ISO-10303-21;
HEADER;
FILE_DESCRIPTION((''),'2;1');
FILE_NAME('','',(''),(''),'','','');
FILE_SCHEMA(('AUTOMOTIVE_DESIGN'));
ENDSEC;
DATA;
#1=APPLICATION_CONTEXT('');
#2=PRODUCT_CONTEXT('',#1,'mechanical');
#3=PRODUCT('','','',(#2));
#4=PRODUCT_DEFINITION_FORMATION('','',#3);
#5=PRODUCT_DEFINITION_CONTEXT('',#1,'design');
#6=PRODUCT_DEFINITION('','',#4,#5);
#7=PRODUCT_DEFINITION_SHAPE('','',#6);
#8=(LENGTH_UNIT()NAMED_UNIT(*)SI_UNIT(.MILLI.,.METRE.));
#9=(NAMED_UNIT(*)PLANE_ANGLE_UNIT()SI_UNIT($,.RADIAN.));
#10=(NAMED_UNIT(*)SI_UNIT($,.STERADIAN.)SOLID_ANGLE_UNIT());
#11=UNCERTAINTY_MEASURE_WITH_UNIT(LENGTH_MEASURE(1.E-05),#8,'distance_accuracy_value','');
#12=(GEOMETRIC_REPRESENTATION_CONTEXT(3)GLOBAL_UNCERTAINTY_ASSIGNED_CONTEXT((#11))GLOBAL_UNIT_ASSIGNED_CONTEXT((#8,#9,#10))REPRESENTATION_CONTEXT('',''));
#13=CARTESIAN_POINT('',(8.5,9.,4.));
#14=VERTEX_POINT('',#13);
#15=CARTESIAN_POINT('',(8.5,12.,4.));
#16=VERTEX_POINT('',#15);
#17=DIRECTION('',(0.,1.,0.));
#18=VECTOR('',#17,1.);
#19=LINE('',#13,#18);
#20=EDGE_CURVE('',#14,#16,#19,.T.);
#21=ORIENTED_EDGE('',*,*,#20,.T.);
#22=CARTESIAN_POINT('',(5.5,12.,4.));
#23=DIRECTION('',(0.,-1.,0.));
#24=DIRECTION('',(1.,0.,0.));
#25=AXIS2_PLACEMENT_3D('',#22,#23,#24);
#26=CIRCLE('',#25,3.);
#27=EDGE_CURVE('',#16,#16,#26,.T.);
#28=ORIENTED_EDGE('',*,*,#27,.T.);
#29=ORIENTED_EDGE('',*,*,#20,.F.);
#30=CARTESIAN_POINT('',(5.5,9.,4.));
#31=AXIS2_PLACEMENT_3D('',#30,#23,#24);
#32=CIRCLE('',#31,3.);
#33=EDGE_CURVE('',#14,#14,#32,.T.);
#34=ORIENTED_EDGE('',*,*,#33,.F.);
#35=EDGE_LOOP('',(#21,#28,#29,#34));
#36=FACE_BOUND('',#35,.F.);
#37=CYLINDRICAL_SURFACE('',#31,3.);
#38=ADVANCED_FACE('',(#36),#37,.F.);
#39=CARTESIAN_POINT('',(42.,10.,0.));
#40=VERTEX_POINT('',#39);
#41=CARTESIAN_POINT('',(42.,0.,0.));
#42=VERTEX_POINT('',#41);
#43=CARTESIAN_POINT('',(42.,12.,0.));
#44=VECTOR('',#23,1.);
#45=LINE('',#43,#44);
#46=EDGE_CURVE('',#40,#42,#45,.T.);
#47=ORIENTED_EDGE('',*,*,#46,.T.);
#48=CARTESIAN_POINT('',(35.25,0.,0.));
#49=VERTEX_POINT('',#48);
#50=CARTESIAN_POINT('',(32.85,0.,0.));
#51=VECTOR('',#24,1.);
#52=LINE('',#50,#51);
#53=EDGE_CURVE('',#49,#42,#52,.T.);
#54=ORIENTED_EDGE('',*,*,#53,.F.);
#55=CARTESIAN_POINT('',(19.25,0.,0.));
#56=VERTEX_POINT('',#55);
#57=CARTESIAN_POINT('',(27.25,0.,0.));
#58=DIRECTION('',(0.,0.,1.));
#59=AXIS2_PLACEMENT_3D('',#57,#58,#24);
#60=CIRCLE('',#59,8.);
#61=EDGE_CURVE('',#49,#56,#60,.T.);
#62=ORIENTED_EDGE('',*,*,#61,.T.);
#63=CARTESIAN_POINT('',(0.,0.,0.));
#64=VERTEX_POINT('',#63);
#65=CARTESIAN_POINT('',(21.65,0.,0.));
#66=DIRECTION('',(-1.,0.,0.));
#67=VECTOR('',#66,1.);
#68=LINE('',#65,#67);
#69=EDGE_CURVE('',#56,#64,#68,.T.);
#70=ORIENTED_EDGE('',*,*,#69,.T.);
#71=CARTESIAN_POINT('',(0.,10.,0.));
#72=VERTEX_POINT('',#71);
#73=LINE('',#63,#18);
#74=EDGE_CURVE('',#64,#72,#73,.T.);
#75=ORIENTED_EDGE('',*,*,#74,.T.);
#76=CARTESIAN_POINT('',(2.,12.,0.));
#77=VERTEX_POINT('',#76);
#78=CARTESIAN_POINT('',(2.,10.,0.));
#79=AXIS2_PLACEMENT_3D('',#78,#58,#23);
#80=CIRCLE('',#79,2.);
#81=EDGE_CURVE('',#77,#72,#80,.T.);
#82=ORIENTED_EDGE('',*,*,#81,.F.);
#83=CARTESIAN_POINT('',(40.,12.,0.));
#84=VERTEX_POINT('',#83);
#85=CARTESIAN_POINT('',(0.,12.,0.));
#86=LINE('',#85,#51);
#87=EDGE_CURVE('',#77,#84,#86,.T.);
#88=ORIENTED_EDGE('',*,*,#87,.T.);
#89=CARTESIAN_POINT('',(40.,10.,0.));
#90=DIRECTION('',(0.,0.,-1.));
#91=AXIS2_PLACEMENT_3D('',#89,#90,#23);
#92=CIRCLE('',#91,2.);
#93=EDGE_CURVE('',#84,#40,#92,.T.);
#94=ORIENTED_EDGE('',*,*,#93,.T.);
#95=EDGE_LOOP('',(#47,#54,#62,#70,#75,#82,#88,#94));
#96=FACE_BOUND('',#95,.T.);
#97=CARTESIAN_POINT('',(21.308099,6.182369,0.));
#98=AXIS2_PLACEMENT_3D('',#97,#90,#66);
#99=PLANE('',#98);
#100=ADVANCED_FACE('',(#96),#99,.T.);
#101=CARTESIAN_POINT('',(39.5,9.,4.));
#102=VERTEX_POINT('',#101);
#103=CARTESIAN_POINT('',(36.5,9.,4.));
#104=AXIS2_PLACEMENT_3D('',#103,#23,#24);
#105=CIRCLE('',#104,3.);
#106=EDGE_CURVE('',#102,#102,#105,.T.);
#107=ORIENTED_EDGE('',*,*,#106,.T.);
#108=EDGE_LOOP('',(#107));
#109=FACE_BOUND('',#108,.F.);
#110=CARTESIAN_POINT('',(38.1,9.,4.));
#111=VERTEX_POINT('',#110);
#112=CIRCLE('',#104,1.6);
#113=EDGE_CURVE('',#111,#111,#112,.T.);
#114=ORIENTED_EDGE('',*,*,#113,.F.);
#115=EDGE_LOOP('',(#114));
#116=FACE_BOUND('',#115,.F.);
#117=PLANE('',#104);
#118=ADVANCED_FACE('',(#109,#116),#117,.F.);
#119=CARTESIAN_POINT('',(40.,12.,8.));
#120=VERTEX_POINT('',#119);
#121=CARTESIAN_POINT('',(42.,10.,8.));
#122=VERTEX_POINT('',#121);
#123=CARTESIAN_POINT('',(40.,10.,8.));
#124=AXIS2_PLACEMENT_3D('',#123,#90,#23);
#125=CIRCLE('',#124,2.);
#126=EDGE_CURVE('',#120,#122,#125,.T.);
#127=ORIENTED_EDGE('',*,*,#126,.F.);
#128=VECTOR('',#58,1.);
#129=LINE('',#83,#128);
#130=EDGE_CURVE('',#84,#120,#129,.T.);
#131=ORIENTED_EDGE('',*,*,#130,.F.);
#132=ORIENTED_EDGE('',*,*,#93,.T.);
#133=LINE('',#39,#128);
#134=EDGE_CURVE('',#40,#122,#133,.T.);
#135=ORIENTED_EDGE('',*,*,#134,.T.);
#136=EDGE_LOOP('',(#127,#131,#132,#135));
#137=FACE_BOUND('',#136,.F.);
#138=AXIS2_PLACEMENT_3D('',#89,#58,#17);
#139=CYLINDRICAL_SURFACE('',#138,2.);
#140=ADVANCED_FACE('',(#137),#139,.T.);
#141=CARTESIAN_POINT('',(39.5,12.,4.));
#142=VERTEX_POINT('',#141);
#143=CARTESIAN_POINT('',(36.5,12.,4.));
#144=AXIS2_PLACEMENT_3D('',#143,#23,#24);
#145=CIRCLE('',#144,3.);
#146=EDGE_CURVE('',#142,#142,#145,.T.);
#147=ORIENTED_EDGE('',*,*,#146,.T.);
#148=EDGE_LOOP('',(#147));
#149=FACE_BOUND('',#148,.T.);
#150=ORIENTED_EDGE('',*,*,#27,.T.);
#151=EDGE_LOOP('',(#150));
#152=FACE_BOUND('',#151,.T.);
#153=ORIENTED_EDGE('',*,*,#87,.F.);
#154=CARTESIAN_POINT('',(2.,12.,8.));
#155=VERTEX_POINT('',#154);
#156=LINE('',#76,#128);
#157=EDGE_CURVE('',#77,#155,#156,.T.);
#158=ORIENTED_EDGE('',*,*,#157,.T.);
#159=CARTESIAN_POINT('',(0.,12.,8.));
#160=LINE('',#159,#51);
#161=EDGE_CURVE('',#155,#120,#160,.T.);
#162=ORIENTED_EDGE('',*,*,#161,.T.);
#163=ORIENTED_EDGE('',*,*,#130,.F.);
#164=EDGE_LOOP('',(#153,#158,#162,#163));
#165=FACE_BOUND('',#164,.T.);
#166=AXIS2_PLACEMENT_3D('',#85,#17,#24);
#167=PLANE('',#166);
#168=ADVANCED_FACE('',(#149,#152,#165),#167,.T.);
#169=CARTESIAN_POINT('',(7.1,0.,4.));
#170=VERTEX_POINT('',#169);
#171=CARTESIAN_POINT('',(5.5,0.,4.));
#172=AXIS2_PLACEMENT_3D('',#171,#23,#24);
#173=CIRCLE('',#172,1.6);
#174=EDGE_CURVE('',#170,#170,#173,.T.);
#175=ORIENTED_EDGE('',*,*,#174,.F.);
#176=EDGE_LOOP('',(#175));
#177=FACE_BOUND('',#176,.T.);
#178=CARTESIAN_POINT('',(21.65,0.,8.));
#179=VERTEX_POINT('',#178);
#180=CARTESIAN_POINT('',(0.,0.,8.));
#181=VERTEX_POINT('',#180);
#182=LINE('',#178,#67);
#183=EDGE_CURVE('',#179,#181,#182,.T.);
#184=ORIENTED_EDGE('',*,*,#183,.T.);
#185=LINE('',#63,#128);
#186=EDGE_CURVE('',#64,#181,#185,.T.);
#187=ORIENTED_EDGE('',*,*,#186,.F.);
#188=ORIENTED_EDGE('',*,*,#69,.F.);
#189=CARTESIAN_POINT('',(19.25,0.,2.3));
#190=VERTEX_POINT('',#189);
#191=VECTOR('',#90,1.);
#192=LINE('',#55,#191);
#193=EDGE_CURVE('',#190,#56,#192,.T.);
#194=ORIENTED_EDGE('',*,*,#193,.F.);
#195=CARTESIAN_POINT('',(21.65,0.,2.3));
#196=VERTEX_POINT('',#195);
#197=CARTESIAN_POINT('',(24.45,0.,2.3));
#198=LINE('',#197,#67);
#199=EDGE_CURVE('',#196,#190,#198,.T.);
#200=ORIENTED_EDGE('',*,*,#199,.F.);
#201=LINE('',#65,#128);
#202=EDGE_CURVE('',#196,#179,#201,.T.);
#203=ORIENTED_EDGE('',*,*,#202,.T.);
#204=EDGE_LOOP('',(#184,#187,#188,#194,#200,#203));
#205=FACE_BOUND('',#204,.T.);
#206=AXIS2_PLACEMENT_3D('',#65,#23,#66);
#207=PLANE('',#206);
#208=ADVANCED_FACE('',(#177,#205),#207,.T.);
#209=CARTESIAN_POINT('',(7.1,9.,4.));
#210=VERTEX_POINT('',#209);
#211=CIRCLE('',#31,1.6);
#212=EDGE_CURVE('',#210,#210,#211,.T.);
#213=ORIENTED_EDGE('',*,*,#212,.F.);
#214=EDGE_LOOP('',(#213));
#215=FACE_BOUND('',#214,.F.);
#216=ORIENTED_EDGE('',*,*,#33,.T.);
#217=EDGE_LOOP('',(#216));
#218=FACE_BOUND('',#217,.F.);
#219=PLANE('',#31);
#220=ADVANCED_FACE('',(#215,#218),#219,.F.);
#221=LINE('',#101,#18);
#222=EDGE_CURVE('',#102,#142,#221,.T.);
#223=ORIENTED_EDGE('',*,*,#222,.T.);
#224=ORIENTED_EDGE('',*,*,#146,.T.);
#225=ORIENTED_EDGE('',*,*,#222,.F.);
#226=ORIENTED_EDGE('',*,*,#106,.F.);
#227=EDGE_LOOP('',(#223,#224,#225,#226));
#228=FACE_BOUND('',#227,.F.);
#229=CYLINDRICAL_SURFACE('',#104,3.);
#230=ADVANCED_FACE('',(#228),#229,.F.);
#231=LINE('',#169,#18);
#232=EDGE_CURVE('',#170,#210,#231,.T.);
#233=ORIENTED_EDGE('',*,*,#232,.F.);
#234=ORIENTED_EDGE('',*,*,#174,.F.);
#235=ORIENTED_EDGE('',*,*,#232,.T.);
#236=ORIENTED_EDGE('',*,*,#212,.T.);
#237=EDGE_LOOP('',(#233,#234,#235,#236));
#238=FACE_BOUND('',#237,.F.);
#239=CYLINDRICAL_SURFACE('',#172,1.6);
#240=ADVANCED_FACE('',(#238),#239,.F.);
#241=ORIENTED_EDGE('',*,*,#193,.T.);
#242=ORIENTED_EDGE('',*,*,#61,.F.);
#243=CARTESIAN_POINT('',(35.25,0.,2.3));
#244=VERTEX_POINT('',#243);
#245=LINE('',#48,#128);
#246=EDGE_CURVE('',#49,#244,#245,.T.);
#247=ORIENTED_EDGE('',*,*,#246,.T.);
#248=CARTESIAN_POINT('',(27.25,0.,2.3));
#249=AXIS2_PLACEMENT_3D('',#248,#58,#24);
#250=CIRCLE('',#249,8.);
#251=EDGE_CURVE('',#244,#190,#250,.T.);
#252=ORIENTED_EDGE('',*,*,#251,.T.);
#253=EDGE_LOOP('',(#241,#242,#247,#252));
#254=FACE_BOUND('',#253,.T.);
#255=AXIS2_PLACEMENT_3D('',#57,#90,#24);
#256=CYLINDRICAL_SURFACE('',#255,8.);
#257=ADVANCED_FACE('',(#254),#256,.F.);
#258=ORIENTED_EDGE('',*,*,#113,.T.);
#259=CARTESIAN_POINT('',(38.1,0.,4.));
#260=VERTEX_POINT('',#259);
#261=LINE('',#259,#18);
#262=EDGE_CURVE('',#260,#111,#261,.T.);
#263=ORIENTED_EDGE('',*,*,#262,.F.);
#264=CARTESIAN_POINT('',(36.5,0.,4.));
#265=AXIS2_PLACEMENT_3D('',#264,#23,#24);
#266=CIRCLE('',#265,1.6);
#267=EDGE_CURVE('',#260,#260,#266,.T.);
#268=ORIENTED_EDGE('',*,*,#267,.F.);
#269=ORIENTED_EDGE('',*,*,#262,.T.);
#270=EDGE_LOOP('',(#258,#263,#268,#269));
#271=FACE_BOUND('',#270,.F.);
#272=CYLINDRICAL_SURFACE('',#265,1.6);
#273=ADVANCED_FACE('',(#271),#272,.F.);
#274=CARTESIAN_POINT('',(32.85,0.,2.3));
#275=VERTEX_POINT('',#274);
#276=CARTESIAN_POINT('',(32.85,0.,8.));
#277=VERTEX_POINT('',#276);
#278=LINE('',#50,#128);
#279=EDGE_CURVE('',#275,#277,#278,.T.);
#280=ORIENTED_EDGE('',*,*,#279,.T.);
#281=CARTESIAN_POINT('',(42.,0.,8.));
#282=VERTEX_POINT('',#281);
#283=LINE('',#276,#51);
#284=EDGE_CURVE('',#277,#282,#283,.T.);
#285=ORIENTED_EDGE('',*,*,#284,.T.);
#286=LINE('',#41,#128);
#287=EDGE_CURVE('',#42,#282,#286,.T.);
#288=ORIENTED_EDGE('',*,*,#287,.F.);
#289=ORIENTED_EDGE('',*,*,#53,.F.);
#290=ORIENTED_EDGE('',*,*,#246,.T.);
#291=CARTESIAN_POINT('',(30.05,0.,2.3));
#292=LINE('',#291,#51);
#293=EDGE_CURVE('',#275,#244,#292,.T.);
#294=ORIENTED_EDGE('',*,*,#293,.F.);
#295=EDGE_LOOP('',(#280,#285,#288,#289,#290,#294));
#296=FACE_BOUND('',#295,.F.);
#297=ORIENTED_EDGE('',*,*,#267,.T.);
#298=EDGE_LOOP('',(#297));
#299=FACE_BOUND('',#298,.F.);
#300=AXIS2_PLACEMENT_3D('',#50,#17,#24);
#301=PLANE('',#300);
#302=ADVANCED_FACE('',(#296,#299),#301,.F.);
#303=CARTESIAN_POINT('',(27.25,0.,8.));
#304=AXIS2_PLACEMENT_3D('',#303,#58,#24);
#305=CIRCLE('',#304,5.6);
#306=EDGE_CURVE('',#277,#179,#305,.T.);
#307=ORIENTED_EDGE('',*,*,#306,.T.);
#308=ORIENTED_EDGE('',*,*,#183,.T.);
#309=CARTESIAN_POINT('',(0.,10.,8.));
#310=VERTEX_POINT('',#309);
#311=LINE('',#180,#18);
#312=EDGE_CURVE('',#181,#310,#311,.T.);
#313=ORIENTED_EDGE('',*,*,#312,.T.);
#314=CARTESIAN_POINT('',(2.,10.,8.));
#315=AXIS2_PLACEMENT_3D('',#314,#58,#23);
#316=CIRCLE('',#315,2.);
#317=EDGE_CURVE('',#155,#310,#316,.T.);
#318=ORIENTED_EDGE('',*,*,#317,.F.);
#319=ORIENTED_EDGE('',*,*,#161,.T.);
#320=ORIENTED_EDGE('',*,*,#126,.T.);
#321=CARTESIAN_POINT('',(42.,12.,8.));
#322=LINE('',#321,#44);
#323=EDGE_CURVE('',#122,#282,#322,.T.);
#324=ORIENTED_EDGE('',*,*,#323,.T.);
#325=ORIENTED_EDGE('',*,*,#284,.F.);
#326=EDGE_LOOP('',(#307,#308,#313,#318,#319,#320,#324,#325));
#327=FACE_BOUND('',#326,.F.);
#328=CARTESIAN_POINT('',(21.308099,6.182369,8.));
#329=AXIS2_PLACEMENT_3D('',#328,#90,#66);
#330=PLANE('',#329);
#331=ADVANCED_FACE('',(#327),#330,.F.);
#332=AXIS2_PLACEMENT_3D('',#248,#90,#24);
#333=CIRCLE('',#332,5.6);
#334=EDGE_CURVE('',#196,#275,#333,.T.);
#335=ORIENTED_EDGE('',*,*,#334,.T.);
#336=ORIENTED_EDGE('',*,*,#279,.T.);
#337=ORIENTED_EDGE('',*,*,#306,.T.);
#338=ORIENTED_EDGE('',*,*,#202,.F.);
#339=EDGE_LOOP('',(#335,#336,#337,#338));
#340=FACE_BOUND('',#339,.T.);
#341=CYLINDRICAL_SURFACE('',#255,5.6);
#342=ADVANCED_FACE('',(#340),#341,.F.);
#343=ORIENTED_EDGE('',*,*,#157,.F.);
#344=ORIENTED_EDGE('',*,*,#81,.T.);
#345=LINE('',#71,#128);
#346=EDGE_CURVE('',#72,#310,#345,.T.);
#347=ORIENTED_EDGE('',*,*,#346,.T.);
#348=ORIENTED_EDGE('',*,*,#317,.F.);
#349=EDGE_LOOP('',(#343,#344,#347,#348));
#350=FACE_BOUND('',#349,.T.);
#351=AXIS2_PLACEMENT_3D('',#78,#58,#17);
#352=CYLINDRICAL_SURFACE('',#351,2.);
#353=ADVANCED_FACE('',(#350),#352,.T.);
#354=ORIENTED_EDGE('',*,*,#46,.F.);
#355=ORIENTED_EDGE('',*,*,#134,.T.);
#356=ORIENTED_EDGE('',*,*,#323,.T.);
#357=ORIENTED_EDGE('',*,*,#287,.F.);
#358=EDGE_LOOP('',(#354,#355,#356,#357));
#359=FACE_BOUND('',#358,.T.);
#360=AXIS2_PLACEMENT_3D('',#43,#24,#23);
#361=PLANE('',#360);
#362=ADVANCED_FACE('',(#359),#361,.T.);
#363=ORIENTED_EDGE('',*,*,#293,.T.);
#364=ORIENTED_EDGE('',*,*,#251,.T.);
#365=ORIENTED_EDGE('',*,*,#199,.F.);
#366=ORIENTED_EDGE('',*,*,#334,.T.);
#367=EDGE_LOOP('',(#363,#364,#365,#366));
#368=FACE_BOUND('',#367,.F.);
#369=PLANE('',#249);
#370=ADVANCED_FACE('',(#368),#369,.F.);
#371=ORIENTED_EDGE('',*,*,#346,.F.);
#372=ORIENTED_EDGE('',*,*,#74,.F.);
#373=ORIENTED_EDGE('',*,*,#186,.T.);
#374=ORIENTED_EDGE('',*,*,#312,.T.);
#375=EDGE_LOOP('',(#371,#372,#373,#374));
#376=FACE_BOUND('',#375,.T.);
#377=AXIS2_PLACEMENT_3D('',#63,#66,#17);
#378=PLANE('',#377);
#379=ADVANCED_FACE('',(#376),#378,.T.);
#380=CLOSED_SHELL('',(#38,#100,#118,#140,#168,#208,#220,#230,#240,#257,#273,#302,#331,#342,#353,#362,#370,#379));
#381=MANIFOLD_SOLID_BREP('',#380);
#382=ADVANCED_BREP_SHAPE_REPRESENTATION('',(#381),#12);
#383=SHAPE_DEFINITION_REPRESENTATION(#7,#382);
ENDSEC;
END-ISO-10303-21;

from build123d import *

# Parameters (mm, degrees)
SKETCH007_R  = 1.6
PAD007_DEPTH = 12
SKETCH005_R  = 8
PAD005_DEPTH = 2.3
SKETCH008_R  = 3
PAD008_DEPTH = 3
PAD_DEPTH    = 8
FILLET_R     = 2


with BuildPart() as hotendmount02:
    # Sketch007 → Pad007 (new body)
    with BuildSketch(Plane.XZ):
        with Locations((5.5, 4)):
            Circle(SKETCH007_R)
        with Locations((36.5, 4)):
            Circle(SKETCH007_R)
    extrude(amount=-PAD007_DEPTH)


with BuildPart() as hotendmount:
    # Sketch005 → Pad005 (new body)
    with BuildSketch(Plane.XY):
        with Locations((27.25, 0)):
            Circle(SKETCH005_R)
    extrude(amount=PAD005_DEPTH)


with BuildPart() as cutblock:
    # Sketch008 → Pad008 (new body)
    with BuildSketch(Plane.XZ.offset(-9)):
        with Locations((5.5, 4)):
            Circle(SKETCH008_R)
        with Locations((36.5, 4)):
            Circle(SKETCH008_R)
    extrude(amount=-PAD008_DEPTH)

    # Fusion: union HotEndMount02, HotEndMount
    add(hotendmount02.part)
    add(hotendmount.part)


with BuildPart() as fillet_body:
    # Sketch → Pad (new body)
    with BuildSketch(Plane.XY):
        with BuildLine():
            Line((0, 12), (42, 12))
            Line((42, 12), (42, 0))
            Line((32.85, 0), (42, 0))
            ThreePointArc((32.85, 0), (27.25, 5.6), (21.65, 0))
            Line((21.65, 0), (0, 0))
            Line((0, 0), (0, 12))
        make_face()
    extrude(amount=PAD_DEPTH)

    # Cut: cut CutBlock
    add(cutblock.part, mode=Mode.SUBTRACT)

    # Fillet
    fillet_edges = [fillet_body.edges().sort_by_distance(p)[0] for p in [
        (42, 12, 4),
        (0, 12, 4),
    ]]
    fillet(fillet_edges, radius=FILLET_R)


solid = fillet_body.part
